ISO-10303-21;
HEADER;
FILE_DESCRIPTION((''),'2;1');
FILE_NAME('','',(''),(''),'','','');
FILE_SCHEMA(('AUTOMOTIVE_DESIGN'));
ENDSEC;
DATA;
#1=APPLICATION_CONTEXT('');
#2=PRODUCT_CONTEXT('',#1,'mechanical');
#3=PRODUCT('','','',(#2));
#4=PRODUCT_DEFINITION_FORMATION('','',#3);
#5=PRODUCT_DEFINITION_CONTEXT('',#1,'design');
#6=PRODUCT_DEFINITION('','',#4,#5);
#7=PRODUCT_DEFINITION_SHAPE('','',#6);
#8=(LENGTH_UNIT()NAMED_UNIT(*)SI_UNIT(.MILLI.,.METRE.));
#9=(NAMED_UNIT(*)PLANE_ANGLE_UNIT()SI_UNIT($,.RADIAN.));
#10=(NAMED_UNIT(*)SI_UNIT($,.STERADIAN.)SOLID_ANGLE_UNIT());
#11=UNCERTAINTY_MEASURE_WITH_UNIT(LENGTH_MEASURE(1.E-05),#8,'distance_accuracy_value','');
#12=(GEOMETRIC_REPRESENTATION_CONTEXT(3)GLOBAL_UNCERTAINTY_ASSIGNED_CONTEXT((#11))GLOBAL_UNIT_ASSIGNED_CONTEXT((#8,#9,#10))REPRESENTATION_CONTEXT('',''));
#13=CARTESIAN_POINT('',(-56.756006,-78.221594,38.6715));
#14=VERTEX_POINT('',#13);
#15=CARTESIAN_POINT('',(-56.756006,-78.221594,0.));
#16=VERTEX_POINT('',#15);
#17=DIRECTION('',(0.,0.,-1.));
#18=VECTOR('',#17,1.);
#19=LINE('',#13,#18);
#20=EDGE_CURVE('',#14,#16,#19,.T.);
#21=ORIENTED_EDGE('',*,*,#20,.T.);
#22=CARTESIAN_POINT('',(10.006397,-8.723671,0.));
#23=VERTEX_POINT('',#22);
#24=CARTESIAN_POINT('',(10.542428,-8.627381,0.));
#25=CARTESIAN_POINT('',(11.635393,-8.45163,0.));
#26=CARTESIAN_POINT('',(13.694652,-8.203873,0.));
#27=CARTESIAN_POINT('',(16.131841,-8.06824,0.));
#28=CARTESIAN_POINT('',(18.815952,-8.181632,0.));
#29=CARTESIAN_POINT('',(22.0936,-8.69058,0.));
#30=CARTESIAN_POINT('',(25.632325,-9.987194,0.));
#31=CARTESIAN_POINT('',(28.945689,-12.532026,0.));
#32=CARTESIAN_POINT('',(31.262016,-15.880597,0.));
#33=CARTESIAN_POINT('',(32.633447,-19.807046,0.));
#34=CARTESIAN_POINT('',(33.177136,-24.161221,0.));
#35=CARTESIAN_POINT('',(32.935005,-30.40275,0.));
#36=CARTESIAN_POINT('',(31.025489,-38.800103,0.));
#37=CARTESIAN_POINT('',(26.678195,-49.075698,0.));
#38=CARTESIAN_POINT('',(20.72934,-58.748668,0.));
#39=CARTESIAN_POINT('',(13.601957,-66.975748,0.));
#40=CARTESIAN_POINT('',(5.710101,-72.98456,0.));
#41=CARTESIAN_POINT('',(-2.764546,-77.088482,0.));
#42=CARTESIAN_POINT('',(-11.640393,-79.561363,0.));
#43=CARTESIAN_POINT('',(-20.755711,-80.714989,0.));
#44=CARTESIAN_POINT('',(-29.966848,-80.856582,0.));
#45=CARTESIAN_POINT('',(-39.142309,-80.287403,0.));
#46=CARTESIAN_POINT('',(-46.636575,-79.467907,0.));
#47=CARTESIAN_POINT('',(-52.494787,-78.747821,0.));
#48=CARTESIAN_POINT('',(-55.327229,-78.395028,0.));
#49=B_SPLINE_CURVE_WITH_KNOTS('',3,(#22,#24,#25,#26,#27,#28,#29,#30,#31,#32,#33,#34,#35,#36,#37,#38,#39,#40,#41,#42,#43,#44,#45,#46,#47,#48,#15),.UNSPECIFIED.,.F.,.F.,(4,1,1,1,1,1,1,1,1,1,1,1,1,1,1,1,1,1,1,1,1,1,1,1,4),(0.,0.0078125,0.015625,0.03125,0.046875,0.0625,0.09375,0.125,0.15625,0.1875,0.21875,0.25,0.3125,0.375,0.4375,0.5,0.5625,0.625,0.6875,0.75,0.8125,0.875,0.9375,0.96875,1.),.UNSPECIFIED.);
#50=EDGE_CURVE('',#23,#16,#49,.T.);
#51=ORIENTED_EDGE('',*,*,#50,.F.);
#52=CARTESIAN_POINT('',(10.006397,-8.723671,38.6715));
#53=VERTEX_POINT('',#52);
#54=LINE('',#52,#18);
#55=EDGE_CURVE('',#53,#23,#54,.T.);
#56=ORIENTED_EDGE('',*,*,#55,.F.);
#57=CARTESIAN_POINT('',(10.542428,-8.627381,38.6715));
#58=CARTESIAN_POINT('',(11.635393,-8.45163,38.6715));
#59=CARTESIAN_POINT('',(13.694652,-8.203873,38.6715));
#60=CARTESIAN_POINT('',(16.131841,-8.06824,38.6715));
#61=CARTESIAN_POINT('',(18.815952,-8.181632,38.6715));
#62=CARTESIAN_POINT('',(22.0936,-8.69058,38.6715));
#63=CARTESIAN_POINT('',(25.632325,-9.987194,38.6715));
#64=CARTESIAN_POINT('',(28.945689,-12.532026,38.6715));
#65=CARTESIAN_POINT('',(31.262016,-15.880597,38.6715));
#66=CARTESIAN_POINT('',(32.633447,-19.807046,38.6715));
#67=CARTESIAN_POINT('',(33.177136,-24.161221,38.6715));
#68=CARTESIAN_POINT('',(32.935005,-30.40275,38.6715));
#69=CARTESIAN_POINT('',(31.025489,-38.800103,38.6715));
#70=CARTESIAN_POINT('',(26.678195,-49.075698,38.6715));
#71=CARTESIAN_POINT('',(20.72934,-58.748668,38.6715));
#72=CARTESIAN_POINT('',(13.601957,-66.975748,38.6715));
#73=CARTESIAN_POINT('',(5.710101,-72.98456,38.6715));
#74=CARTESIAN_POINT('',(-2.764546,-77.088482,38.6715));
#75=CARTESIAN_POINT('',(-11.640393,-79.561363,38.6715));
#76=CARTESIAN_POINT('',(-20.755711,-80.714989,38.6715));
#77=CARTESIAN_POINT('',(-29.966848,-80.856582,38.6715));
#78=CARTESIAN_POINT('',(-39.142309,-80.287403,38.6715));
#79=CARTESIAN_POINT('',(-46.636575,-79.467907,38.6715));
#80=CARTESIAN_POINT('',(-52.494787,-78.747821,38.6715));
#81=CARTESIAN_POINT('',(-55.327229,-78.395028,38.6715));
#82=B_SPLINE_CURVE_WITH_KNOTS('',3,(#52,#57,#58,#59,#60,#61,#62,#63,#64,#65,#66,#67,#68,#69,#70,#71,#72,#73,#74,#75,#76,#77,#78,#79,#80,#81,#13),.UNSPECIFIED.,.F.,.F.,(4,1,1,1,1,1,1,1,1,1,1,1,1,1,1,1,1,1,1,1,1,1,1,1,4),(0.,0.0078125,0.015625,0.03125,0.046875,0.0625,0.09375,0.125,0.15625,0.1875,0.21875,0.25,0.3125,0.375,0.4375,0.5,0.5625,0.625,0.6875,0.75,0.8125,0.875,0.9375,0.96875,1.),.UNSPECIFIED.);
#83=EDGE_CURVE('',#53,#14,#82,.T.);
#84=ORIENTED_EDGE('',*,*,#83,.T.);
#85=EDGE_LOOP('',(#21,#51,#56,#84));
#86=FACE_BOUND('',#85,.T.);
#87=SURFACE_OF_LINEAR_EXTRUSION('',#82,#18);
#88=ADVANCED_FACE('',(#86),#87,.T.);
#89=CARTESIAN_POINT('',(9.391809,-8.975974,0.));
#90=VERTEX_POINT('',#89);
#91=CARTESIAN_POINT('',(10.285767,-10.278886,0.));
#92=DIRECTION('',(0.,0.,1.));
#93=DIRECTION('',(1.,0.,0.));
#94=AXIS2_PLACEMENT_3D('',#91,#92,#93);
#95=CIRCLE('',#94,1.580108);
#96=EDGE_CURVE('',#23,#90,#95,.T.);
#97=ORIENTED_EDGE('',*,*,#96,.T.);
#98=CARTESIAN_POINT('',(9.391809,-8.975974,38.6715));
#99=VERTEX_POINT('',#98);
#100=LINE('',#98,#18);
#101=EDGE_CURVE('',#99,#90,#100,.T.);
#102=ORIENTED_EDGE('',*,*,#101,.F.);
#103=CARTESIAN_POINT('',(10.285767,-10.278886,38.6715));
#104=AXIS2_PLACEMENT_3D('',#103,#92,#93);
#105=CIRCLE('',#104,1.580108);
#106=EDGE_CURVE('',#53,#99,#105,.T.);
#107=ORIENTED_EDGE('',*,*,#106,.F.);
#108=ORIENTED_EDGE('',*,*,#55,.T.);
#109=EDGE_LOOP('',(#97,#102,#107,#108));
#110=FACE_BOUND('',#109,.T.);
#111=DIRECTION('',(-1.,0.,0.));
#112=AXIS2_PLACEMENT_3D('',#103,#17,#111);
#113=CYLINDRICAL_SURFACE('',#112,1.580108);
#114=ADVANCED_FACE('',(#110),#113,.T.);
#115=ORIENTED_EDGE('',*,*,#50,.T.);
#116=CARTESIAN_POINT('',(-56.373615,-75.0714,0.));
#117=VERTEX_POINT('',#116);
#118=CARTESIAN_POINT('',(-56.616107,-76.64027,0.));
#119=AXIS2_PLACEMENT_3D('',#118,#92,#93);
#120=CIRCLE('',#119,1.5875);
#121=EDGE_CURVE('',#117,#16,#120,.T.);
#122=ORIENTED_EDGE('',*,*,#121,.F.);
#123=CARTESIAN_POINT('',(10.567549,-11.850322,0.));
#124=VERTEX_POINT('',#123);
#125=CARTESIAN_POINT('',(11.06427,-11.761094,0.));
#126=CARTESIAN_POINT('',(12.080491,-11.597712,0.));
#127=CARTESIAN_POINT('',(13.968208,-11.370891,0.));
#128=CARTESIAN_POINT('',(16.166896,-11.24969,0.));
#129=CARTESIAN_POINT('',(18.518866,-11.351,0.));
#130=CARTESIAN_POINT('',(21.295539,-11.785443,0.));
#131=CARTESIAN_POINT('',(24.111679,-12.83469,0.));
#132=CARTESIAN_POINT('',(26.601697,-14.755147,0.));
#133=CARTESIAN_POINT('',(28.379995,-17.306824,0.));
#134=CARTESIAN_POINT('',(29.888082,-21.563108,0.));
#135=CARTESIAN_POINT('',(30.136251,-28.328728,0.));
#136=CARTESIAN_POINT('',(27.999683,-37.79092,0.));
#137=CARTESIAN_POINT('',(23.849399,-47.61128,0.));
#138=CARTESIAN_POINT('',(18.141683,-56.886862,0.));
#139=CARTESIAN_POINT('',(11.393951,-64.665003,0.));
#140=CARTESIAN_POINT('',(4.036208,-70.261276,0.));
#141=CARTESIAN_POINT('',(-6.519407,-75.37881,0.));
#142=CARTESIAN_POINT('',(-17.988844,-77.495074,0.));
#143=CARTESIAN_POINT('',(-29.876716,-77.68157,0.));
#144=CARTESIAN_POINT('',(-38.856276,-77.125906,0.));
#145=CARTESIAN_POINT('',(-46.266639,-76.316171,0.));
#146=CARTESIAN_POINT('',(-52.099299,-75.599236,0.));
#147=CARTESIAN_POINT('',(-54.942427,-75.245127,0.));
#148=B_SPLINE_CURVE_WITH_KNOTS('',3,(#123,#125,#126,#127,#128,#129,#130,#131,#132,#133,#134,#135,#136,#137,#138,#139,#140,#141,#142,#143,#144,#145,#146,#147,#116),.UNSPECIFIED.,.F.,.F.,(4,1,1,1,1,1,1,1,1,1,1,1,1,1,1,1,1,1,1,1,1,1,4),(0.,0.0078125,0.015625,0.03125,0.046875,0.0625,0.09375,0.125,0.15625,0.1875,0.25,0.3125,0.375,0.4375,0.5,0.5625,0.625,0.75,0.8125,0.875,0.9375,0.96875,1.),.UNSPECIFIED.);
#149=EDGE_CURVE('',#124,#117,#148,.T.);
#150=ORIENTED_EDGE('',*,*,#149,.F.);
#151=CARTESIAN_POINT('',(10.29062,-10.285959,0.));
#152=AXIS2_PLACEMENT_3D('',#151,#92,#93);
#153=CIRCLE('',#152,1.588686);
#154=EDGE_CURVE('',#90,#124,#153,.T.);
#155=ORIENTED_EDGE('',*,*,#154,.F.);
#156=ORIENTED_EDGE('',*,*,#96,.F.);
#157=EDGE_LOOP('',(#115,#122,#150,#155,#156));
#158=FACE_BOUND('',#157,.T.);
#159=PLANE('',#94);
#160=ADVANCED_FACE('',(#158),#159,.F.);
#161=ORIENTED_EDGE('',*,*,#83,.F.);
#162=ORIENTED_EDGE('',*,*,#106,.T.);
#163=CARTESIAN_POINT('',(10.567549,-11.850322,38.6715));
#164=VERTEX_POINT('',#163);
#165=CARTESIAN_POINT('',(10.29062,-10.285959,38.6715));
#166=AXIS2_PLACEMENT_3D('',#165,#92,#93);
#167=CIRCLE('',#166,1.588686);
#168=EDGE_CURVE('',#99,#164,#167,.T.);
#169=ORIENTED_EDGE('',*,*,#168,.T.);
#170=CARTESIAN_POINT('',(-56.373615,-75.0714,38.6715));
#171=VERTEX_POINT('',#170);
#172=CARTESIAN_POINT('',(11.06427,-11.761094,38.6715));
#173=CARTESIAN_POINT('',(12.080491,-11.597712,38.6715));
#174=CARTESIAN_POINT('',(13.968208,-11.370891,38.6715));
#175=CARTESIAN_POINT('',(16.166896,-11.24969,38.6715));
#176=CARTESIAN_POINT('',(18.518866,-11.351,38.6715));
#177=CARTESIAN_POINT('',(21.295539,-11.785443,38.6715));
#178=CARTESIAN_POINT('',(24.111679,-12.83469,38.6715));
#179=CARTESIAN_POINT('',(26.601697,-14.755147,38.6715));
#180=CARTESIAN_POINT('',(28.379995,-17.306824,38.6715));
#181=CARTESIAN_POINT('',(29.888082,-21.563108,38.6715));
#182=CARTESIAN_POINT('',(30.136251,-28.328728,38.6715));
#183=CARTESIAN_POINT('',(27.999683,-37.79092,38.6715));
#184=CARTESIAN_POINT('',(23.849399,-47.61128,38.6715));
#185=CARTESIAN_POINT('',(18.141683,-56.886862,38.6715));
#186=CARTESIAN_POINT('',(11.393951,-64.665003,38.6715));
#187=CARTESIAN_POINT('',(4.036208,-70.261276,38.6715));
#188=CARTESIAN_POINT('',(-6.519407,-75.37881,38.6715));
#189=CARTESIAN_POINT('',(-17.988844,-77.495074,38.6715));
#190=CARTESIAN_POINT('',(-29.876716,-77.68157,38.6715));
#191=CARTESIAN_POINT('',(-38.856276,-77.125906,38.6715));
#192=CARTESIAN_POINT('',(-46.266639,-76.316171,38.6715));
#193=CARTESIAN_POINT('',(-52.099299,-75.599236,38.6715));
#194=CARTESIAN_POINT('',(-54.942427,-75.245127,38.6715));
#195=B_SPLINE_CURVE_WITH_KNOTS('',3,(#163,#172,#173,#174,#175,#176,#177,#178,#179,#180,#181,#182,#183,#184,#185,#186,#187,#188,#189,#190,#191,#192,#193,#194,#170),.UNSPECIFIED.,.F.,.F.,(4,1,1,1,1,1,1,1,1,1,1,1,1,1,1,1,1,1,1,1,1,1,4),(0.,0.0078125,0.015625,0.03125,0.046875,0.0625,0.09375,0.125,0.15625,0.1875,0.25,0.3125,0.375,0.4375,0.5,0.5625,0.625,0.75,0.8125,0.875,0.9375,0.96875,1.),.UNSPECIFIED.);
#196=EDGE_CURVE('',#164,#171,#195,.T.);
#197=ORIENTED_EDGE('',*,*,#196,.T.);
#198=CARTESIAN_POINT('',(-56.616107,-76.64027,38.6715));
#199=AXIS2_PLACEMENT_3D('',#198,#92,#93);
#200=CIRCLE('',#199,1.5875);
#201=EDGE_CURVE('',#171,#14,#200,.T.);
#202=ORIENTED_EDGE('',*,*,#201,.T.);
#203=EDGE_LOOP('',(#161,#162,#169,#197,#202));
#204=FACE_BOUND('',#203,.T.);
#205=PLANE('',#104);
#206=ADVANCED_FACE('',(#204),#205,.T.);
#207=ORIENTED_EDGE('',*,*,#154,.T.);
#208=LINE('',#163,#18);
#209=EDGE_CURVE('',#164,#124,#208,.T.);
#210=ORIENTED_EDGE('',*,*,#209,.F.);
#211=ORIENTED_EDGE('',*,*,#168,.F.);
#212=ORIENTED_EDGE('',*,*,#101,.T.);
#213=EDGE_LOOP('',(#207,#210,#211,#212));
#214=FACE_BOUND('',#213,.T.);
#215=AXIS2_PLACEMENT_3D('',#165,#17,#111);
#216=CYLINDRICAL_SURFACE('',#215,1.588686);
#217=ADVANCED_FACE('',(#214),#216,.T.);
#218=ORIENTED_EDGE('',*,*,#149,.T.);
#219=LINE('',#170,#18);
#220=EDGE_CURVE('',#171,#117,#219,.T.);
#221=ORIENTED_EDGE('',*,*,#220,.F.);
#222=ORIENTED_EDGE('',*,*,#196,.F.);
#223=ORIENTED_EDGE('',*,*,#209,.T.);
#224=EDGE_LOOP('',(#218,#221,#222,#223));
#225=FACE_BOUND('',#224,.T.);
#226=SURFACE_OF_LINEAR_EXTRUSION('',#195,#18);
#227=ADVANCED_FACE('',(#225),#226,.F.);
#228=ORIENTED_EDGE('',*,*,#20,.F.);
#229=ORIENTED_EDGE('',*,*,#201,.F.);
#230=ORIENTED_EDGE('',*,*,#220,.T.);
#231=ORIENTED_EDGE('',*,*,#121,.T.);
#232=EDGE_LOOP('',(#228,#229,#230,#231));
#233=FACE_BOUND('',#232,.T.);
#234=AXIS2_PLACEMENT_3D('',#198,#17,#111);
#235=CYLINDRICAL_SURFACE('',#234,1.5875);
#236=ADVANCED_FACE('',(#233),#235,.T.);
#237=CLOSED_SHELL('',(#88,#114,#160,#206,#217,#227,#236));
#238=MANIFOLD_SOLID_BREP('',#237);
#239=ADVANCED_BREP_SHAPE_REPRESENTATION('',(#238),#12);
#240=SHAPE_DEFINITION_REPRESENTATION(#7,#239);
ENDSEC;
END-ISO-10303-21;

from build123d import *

# Parameters (mm, degrees)
BOSS_EXTRUDE1_DEPTH = 38.6715


with BuildPart() as part:
    # Sketch1 → Boss-Extrude1 (new body)
    with BuildSketch(Plane.XY):
        with BuildLine():
            ThreePointArc((10.006396646, -8.723671201), (9.6856926, -8.817157065), (9.3918086, -8.975974215))
            ThreePointArc((9.3918086, -8.975974215), (8.820193634, -10.887430895), (10.567548963, -11.850322197))
            add(Edge.make_bspline(
                [(10.567548963, -11.850322197), (11.064269525, -11.761093941), (12.080491031, -11.597711964), (13.968208449, -11.370890598), (16.166895654, -11.249689832), (18.518865702, -11.350999734), (21.295539399, -11.785443232), (24.11167936, -12.834689857), (26.601697124, -14.755146671), (28.379995149, -17.306824059), (29.88808226, -21.563107583), (30.136251325, -28.328727621), (27.999683445, -37.790920326), (23.849398525, -47.611280488), (18.141683263, -56.886862416), (11.393951321, -64.665002775), (4.036208166, -70.261276273), (-6.519406974, -75.378809609), (-17.988843971, -77.495074443), (-29.876715905, -77.681570234), (-38.856275975, -77.125905714), (-46.266639397, -76.316170507), (-52.099298623, -75.599236123), (-54.942427292, -75.245126778), (-56.373615377, -75.071400023)],
                knots=[0, 0, 0, 0, 0.0078125, 0.015625, 0.03125, 0.046875, 0.0625, 0.09375, 0.125, 0.15625, 0.1875, 0.25, 0.3125, 0.375, 0.4375, 0.5, 0.5625, 0.625, 0.75, 0.8125, 0.875, 0.9375, 0.96875, 1, 1, 1, 1], degree=3))
            ThreePointArc((-56.373615377, -75.071400023), (-58.192038859, -76.448973664), (-56.756006052, -78.221594006))
            add(Edge.make_bspline(
                [(10.006396646, -8.723671201), (10.54242797, -8.627381367), (11.635392855, -8.451629955), (13.694652207, -8.203872504), (16.131840762, -8.068239533), (18.815951799, -8.181631742), (22.093600209, -8.690579894), (25.632324508, -9.987194236), (28.945689239, -12.53202555), (31.262016086, -15.88059677), (32.633446772, -19.807046415), (33.177135985, -24.161221136), (32.935005387, -30.402749506), (31.025488793, -38.80010345), (26.678195112, -49.075698309), (20.729339942, -58.748668337), (13.601956626, -66.975747854), (5.710101164, -72.984560006), (-2.764546281, -77.088482339), (-11.640393326, -79.56136318), (-20.755710578, -80.71498899), (-29.966848039, -80.856582063), (-39.142308664, -80.287403052), (-46.636575149, -79.46790651), (-52.494786743, -78.747820748), (-55.327228894, -78.395028107), (-56.756006052, -78.221594006)],
                knots=[0, 0, 0, 0, 0.0078125, 0.015625, 0.03125, 0.046875, 0.0625, 0.09375, 0.125, 0.15625, 0.1875, 0.21875, 0.25, 0.3125, 0.375, 0.4375, 0.5, 0.5625, 0.625, 0.6875, 0.75, 0.8125, 0.875, 0.9375, 0.96875, 1, 1, 1, 1], degree=3))
        make_face()
    extrude(amount=BOSS_EXTRUDE1_DEPTH)


solid = part.part
